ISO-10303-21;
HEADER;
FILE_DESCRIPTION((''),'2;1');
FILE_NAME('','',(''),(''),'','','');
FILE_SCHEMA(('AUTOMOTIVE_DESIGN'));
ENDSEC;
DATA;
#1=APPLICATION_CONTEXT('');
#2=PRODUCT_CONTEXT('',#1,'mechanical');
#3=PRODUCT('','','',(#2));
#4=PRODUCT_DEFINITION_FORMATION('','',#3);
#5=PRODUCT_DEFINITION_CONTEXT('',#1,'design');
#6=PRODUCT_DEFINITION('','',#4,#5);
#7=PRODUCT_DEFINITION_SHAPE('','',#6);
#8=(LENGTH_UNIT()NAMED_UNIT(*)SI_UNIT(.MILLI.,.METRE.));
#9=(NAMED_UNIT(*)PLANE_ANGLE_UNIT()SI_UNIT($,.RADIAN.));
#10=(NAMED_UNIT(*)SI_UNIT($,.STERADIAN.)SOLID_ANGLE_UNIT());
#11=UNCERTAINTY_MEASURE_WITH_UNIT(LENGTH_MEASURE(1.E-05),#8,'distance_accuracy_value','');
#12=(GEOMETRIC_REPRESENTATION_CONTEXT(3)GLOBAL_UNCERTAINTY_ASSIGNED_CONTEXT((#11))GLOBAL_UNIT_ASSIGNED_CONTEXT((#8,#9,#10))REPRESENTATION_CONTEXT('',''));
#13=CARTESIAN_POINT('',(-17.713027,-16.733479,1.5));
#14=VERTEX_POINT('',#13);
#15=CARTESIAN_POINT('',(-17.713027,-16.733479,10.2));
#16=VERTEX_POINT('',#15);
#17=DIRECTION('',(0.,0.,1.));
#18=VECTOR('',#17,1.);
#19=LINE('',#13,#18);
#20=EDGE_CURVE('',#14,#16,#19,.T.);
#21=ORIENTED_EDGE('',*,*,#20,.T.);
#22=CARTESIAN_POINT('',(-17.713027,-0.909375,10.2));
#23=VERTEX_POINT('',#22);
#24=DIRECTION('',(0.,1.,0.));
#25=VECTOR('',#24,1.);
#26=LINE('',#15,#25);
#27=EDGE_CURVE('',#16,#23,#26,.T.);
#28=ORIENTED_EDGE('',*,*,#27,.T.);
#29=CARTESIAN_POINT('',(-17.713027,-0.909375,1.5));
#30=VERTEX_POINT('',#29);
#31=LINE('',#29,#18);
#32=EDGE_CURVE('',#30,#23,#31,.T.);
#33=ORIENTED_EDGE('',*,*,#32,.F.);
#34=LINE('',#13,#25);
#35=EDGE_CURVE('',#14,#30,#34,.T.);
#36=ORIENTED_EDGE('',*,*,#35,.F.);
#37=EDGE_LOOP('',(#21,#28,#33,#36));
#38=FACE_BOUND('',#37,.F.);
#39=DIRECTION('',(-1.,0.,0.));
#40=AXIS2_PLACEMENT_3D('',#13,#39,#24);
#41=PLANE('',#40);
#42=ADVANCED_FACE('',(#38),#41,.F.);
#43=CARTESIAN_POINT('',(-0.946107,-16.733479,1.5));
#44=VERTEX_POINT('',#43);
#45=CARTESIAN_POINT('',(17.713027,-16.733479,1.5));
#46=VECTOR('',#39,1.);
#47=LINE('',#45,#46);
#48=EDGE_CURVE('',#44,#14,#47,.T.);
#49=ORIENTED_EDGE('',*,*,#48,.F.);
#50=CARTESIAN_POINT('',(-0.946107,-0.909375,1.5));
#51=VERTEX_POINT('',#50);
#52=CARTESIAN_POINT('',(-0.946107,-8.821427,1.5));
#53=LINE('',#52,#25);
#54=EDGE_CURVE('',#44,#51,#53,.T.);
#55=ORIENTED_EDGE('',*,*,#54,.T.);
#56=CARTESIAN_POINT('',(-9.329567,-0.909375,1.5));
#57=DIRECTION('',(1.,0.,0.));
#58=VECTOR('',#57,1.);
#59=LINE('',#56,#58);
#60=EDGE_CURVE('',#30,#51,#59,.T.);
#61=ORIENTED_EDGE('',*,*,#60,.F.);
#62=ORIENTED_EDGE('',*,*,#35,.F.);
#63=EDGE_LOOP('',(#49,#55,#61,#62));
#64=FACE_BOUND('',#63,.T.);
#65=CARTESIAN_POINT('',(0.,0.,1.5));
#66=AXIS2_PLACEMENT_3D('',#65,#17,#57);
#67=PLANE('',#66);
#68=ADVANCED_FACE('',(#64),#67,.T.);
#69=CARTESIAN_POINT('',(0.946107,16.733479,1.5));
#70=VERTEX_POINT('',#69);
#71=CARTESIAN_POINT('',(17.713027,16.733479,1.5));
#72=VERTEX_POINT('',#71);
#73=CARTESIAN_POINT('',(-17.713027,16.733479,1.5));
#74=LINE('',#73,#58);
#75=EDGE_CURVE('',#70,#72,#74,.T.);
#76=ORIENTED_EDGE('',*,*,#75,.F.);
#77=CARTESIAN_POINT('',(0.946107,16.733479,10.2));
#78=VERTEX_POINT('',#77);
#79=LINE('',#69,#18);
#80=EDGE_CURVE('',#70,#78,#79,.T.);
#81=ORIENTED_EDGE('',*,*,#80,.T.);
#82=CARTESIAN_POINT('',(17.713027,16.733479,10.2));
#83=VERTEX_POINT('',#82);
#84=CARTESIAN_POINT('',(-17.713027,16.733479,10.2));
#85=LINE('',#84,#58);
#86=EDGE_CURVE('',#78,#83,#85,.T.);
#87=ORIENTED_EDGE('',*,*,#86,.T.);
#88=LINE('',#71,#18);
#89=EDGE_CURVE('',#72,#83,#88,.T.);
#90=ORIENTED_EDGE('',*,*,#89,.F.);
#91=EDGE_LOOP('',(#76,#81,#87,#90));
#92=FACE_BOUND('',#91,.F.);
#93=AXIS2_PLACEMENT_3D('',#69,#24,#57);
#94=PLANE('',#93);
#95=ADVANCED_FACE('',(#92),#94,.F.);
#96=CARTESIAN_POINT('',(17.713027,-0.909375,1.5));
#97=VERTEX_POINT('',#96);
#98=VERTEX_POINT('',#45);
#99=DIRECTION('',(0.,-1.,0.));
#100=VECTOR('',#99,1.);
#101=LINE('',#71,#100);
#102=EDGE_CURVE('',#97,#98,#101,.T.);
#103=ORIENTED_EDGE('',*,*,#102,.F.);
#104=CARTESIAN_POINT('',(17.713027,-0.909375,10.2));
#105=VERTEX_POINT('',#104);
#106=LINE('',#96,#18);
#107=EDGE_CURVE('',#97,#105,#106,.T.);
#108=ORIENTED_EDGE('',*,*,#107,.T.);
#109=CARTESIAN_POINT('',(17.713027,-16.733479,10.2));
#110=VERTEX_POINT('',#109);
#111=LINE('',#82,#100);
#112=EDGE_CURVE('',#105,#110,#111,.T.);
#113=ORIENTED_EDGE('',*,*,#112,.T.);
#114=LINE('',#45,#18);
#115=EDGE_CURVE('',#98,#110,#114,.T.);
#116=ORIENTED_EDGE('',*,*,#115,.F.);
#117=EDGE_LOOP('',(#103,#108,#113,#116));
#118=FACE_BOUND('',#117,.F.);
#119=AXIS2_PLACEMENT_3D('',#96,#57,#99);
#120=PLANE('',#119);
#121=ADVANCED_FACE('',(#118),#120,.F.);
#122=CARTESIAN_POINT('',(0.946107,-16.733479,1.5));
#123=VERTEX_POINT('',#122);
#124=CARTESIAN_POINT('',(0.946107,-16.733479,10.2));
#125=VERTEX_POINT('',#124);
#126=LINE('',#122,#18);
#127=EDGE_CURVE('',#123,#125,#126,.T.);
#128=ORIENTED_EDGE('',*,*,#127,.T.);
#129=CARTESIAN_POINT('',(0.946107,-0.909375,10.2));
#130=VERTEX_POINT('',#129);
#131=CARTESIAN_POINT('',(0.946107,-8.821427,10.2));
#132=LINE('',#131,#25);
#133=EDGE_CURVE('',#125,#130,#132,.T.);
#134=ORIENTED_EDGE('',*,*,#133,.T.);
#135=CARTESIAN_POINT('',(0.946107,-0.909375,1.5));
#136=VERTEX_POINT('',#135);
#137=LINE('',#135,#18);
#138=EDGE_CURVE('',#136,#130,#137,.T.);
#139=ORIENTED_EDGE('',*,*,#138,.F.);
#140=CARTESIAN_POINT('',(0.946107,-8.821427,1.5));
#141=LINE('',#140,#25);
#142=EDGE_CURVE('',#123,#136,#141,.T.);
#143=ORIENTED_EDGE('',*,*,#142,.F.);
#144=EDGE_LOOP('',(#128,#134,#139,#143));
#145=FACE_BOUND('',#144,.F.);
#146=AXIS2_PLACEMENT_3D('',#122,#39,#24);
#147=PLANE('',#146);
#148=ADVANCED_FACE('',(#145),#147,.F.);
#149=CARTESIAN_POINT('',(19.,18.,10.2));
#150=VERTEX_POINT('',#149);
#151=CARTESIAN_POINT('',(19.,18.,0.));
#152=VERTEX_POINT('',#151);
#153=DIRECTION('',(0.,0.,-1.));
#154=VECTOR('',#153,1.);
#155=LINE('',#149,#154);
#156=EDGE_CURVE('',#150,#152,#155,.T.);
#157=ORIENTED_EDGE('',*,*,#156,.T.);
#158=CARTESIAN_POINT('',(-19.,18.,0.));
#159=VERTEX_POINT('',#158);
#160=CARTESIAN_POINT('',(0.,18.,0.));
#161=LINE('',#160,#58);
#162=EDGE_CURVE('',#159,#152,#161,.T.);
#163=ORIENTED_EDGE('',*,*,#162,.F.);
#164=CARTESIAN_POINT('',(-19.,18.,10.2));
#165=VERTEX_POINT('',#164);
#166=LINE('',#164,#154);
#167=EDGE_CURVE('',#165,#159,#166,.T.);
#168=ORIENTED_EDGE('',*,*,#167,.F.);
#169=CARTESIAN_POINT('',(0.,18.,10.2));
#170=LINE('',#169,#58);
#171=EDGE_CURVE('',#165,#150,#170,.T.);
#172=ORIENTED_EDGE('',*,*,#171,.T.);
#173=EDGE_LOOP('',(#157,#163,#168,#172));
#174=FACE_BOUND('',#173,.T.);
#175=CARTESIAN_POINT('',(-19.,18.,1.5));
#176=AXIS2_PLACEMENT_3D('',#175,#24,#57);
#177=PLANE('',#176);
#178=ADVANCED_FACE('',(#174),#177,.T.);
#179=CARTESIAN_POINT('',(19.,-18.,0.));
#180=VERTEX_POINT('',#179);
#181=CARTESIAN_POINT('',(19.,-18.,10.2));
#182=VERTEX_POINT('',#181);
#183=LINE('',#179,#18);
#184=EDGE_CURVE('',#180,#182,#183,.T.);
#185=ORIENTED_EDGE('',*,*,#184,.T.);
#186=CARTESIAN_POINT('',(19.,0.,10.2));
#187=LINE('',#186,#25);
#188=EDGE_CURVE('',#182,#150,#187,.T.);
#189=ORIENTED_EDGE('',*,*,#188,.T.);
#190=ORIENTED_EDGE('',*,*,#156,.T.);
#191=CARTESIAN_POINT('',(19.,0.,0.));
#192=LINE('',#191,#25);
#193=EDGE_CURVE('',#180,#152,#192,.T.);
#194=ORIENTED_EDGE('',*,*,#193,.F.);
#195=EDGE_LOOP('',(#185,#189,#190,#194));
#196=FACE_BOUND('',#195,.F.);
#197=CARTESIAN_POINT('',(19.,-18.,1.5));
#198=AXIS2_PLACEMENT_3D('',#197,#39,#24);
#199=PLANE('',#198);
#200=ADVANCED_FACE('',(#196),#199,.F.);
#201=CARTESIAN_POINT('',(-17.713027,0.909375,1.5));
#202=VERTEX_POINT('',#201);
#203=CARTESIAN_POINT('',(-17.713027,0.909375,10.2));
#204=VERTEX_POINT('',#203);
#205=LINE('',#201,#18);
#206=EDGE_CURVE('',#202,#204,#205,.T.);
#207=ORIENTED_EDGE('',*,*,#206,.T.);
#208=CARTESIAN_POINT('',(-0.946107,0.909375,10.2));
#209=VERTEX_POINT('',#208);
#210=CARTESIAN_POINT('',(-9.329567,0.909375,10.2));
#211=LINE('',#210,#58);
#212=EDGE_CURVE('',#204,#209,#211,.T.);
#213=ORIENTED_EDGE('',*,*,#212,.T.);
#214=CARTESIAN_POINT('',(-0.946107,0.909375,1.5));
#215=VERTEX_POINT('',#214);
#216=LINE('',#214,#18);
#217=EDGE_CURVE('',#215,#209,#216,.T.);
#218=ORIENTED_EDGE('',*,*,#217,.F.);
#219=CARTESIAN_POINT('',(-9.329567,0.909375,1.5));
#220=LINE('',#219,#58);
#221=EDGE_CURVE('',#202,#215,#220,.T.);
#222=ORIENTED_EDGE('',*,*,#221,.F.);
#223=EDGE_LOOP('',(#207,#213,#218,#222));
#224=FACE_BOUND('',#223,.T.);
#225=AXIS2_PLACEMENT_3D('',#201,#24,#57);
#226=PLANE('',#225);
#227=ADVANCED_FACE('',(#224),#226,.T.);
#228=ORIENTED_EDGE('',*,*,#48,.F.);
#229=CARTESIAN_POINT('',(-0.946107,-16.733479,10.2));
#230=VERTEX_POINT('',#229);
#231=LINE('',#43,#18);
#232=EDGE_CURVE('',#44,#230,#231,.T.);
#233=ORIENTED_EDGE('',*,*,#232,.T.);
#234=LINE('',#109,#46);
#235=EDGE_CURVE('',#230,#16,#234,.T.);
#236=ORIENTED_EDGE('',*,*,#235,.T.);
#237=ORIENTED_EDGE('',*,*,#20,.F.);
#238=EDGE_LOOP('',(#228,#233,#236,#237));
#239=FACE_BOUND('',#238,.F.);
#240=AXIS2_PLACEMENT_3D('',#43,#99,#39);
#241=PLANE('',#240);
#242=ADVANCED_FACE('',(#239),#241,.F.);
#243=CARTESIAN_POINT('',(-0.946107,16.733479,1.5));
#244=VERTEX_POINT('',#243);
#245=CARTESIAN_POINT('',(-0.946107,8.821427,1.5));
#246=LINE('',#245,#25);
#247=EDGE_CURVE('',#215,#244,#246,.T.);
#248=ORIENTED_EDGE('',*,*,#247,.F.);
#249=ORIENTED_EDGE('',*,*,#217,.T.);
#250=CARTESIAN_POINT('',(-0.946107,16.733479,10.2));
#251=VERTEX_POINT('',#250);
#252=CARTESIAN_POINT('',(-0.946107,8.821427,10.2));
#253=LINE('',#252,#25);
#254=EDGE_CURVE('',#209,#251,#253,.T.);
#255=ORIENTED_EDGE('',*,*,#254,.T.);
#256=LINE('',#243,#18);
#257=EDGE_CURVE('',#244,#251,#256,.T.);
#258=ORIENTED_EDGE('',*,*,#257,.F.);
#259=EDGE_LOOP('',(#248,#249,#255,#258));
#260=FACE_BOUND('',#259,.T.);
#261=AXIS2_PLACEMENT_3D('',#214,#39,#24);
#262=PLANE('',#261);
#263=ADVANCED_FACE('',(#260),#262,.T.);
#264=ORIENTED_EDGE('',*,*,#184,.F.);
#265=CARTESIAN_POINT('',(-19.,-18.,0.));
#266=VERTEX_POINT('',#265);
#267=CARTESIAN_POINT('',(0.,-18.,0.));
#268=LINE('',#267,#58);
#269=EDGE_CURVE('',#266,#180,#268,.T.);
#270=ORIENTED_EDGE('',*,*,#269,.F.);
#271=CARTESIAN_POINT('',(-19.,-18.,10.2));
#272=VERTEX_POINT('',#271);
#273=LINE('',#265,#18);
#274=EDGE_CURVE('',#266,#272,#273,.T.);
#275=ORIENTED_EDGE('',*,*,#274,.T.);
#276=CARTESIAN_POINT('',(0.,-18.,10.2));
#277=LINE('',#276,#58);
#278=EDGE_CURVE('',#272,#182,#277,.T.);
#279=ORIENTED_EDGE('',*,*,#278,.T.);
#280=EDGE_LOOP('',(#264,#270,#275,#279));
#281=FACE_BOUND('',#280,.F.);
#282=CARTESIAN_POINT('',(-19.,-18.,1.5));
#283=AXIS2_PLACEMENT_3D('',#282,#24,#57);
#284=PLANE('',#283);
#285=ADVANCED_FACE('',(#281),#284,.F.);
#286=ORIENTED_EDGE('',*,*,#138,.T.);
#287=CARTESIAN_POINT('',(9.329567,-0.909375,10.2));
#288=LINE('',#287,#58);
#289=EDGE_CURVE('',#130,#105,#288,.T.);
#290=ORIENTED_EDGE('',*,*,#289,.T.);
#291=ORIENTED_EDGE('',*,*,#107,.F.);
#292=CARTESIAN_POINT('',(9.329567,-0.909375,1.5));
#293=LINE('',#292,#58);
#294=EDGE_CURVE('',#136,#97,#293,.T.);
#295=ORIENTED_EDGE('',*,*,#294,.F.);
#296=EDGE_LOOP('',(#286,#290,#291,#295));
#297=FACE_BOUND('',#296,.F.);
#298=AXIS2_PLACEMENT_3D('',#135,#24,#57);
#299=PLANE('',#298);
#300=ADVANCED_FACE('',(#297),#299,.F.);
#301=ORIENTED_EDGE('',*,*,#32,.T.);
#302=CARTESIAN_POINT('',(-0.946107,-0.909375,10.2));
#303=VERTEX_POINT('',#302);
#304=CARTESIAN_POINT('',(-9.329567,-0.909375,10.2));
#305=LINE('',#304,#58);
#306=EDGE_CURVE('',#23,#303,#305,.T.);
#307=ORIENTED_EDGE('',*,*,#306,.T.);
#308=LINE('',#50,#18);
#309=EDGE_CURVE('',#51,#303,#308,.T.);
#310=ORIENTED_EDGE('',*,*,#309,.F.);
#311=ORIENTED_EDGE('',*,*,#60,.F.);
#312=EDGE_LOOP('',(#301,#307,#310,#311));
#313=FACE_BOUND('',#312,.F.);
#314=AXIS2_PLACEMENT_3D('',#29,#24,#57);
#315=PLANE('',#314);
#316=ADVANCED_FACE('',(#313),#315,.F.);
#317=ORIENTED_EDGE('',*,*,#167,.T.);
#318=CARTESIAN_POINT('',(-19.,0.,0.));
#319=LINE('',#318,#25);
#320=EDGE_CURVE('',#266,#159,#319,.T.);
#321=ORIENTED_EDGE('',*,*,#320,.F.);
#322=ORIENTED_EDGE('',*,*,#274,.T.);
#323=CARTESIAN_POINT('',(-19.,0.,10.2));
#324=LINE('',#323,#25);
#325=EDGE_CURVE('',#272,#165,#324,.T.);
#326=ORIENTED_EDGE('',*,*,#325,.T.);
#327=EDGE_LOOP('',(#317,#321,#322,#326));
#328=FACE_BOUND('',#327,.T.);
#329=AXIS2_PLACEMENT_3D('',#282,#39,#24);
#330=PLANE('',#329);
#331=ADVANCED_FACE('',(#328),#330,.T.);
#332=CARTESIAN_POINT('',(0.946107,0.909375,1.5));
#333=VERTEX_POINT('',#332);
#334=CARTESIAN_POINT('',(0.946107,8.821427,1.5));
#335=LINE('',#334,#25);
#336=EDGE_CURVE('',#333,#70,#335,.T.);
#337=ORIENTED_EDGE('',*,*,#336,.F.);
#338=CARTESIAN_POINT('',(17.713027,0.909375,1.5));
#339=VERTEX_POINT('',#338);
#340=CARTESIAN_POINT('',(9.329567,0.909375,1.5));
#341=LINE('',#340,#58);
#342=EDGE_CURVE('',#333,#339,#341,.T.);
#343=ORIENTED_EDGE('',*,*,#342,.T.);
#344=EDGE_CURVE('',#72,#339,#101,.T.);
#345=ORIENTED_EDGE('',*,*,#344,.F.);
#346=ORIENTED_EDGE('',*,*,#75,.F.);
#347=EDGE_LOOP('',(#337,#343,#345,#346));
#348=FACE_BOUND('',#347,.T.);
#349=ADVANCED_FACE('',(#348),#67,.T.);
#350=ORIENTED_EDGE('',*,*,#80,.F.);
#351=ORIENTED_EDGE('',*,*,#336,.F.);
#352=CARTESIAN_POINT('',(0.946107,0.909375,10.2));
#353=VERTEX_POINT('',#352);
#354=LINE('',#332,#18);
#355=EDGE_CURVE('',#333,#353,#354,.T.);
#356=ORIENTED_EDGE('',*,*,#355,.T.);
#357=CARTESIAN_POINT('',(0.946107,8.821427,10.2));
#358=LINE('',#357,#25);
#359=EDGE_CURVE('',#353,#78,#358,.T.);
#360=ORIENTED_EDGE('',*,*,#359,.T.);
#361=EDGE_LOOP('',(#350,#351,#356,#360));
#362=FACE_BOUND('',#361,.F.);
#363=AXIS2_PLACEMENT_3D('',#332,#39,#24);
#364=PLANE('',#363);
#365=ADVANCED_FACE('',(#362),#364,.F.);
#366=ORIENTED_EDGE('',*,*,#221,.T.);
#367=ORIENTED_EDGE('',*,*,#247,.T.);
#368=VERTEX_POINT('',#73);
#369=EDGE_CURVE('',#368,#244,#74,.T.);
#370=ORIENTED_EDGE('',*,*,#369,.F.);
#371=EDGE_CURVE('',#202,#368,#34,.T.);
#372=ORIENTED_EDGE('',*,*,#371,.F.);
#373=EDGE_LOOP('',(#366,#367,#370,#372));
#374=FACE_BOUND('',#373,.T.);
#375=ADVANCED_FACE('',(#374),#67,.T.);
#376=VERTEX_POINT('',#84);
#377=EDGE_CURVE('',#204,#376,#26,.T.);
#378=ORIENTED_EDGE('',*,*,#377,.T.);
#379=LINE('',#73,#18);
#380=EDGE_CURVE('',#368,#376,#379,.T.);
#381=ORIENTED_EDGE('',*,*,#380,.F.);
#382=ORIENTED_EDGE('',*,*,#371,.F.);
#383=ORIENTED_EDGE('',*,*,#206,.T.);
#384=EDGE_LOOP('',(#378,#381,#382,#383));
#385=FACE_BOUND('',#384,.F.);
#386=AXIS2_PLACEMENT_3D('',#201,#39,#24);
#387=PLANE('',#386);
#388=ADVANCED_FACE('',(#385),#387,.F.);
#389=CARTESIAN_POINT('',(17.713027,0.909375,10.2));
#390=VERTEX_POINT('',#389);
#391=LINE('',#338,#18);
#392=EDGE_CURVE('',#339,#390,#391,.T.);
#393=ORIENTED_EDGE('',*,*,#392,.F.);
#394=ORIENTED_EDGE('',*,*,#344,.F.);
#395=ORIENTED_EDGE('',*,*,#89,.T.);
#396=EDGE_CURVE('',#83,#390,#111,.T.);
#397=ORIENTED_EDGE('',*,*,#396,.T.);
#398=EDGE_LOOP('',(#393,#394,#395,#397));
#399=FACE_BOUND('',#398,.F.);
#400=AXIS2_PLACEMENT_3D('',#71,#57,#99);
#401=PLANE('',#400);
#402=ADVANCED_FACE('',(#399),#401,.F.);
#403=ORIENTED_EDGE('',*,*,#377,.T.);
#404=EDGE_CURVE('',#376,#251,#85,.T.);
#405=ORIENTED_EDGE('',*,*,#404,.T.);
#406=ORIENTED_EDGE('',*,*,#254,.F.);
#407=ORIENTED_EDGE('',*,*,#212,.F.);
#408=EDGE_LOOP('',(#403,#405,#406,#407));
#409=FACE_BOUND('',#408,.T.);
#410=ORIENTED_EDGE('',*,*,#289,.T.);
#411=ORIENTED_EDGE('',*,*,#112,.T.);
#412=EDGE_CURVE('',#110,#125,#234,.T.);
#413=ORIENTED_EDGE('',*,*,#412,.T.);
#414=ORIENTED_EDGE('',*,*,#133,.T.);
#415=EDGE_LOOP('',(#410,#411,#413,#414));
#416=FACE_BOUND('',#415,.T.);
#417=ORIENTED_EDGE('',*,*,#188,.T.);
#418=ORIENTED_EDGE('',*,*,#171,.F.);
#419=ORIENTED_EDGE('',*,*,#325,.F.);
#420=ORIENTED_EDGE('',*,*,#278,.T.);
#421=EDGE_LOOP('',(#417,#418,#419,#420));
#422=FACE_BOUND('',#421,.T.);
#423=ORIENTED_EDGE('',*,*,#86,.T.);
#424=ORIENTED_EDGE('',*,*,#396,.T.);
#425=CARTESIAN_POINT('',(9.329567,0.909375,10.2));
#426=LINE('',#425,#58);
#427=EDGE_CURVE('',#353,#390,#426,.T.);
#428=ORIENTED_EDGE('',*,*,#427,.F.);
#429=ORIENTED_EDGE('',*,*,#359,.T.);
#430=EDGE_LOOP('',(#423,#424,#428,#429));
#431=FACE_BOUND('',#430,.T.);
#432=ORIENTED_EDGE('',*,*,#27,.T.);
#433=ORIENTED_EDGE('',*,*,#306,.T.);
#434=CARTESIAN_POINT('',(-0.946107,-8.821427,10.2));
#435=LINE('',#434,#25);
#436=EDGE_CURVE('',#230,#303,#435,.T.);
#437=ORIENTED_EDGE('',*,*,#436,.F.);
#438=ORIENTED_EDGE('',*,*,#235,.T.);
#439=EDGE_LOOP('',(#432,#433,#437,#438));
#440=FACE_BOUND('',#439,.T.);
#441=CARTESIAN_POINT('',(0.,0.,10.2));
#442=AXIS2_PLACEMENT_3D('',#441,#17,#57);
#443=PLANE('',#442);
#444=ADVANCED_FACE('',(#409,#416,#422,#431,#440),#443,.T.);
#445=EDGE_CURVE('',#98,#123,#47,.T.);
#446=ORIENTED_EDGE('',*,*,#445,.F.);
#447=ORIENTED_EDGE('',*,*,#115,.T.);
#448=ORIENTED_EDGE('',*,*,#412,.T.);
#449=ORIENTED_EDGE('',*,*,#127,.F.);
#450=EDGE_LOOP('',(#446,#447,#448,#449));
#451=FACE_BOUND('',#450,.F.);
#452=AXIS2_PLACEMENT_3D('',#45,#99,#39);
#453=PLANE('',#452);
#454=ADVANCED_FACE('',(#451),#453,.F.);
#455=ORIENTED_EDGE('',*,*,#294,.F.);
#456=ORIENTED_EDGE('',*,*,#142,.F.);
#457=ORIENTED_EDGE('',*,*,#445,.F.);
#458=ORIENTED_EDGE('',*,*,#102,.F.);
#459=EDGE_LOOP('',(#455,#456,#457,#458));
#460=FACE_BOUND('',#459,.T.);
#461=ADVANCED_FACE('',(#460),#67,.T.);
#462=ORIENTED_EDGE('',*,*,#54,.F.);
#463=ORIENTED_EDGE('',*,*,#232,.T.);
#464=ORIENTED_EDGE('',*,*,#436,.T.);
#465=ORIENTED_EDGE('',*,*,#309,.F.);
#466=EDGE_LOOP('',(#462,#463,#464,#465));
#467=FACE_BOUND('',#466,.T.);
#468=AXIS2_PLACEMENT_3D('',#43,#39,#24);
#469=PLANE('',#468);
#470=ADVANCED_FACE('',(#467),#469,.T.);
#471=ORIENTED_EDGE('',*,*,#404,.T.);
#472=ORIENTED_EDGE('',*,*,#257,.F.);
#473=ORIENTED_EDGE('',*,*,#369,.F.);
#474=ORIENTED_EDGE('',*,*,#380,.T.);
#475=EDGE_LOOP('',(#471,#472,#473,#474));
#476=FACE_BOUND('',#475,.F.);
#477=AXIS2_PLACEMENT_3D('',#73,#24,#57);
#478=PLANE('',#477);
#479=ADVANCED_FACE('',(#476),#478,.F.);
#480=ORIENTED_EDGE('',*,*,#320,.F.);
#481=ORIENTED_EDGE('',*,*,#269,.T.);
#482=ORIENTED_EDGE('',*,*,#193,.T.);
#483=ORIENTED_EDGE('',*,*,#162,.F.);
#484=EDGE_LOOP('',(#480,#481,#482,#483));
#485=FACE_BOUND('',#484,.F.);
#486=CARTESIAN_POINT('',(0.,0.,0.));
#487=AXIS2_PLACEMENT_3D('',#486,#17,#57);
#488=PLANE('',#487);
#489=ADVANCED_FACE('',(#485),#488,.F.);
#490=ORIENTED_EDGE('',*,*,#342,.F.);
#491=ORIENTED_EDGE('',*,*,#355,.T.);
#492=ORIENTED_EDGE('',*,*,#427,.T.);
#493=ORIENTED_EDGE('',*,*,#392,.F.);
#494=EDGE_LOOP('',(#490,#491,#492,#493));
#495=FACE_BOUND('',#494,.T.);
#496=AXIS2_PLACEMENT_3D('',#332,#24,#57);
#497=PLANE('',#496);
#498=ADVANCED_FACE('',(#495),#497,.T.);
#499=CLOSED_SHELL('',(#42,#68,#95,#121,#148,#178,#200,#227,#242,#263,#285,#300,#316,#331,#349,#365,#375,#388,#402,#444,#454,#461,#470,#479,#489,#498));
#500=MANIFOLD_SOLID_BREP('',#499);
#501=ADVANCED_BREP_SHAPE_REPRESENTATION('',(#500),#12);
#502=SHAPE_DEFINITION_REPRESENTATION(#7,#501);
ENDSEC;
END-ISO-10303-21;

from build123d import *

# Parameters (mm, degrees)
F0_W     = 38
F0_H     = 36
F1_DEPTH = 1.5
F2_W     = 38
F2_H     = 36
F2_W_2   = 16.7669200455
F2_H_2   = 1.818750985
F2_W_3   = 1.8922140589
F2_H_3   = 15.8241032623
F3_DEPTH = 8.7


with BuildPart() as f1:
    # F0 (on Top) → F1 (new body)
    with BuildSketch(Plane.XY):
        Rectangle(F0_W, F0_H)
    extrude(amount=F1_DEPTH)

    # F2 (on face) → F3 (join)
    with BuildSketch(Plane.XY.offset(1.5)):
        Rectangle(F2_W, F2_H)
        Polygon((0.9461070294, 16.7334787548), (17.7130270749, 16.7334787548), (17.7130270749, 0.9093754925), (17.7130270749, -0.9093754925), (17.7130270749, -16.7334787548), (0.9461070294, -16.7334787548), (-0.9461070294, -16.7334787548), (-17.7130270749, -16.7334787548), (-17.7130270749, -0.9093754925), (-17.7130270749, 0.9093754925), (-17.7130270749, 16.7334787548), (-0.9461070294, 16.7334787548), align=None, mode=Mode.SUBTRACT)
        with Locations((-9.3295670522, 0)):
            Rectangle(F2_W_2, F2_H_2)
        with Locations((9.3295670522, 0)):
            Rectangle(F2_W_2, F2_H_2)
        with Locations((0, 8.8214271236)):
            Rectangle(F2_W_3, F2_H_3)
        with Locations((0, -8.8214271236)):
            Rectangle(F2_W_3, F2_H_3)
        Rectangle(F2_W_3, F2_H_2)
    extrude(amount=F3_DEPTH)


solid = f1.part
